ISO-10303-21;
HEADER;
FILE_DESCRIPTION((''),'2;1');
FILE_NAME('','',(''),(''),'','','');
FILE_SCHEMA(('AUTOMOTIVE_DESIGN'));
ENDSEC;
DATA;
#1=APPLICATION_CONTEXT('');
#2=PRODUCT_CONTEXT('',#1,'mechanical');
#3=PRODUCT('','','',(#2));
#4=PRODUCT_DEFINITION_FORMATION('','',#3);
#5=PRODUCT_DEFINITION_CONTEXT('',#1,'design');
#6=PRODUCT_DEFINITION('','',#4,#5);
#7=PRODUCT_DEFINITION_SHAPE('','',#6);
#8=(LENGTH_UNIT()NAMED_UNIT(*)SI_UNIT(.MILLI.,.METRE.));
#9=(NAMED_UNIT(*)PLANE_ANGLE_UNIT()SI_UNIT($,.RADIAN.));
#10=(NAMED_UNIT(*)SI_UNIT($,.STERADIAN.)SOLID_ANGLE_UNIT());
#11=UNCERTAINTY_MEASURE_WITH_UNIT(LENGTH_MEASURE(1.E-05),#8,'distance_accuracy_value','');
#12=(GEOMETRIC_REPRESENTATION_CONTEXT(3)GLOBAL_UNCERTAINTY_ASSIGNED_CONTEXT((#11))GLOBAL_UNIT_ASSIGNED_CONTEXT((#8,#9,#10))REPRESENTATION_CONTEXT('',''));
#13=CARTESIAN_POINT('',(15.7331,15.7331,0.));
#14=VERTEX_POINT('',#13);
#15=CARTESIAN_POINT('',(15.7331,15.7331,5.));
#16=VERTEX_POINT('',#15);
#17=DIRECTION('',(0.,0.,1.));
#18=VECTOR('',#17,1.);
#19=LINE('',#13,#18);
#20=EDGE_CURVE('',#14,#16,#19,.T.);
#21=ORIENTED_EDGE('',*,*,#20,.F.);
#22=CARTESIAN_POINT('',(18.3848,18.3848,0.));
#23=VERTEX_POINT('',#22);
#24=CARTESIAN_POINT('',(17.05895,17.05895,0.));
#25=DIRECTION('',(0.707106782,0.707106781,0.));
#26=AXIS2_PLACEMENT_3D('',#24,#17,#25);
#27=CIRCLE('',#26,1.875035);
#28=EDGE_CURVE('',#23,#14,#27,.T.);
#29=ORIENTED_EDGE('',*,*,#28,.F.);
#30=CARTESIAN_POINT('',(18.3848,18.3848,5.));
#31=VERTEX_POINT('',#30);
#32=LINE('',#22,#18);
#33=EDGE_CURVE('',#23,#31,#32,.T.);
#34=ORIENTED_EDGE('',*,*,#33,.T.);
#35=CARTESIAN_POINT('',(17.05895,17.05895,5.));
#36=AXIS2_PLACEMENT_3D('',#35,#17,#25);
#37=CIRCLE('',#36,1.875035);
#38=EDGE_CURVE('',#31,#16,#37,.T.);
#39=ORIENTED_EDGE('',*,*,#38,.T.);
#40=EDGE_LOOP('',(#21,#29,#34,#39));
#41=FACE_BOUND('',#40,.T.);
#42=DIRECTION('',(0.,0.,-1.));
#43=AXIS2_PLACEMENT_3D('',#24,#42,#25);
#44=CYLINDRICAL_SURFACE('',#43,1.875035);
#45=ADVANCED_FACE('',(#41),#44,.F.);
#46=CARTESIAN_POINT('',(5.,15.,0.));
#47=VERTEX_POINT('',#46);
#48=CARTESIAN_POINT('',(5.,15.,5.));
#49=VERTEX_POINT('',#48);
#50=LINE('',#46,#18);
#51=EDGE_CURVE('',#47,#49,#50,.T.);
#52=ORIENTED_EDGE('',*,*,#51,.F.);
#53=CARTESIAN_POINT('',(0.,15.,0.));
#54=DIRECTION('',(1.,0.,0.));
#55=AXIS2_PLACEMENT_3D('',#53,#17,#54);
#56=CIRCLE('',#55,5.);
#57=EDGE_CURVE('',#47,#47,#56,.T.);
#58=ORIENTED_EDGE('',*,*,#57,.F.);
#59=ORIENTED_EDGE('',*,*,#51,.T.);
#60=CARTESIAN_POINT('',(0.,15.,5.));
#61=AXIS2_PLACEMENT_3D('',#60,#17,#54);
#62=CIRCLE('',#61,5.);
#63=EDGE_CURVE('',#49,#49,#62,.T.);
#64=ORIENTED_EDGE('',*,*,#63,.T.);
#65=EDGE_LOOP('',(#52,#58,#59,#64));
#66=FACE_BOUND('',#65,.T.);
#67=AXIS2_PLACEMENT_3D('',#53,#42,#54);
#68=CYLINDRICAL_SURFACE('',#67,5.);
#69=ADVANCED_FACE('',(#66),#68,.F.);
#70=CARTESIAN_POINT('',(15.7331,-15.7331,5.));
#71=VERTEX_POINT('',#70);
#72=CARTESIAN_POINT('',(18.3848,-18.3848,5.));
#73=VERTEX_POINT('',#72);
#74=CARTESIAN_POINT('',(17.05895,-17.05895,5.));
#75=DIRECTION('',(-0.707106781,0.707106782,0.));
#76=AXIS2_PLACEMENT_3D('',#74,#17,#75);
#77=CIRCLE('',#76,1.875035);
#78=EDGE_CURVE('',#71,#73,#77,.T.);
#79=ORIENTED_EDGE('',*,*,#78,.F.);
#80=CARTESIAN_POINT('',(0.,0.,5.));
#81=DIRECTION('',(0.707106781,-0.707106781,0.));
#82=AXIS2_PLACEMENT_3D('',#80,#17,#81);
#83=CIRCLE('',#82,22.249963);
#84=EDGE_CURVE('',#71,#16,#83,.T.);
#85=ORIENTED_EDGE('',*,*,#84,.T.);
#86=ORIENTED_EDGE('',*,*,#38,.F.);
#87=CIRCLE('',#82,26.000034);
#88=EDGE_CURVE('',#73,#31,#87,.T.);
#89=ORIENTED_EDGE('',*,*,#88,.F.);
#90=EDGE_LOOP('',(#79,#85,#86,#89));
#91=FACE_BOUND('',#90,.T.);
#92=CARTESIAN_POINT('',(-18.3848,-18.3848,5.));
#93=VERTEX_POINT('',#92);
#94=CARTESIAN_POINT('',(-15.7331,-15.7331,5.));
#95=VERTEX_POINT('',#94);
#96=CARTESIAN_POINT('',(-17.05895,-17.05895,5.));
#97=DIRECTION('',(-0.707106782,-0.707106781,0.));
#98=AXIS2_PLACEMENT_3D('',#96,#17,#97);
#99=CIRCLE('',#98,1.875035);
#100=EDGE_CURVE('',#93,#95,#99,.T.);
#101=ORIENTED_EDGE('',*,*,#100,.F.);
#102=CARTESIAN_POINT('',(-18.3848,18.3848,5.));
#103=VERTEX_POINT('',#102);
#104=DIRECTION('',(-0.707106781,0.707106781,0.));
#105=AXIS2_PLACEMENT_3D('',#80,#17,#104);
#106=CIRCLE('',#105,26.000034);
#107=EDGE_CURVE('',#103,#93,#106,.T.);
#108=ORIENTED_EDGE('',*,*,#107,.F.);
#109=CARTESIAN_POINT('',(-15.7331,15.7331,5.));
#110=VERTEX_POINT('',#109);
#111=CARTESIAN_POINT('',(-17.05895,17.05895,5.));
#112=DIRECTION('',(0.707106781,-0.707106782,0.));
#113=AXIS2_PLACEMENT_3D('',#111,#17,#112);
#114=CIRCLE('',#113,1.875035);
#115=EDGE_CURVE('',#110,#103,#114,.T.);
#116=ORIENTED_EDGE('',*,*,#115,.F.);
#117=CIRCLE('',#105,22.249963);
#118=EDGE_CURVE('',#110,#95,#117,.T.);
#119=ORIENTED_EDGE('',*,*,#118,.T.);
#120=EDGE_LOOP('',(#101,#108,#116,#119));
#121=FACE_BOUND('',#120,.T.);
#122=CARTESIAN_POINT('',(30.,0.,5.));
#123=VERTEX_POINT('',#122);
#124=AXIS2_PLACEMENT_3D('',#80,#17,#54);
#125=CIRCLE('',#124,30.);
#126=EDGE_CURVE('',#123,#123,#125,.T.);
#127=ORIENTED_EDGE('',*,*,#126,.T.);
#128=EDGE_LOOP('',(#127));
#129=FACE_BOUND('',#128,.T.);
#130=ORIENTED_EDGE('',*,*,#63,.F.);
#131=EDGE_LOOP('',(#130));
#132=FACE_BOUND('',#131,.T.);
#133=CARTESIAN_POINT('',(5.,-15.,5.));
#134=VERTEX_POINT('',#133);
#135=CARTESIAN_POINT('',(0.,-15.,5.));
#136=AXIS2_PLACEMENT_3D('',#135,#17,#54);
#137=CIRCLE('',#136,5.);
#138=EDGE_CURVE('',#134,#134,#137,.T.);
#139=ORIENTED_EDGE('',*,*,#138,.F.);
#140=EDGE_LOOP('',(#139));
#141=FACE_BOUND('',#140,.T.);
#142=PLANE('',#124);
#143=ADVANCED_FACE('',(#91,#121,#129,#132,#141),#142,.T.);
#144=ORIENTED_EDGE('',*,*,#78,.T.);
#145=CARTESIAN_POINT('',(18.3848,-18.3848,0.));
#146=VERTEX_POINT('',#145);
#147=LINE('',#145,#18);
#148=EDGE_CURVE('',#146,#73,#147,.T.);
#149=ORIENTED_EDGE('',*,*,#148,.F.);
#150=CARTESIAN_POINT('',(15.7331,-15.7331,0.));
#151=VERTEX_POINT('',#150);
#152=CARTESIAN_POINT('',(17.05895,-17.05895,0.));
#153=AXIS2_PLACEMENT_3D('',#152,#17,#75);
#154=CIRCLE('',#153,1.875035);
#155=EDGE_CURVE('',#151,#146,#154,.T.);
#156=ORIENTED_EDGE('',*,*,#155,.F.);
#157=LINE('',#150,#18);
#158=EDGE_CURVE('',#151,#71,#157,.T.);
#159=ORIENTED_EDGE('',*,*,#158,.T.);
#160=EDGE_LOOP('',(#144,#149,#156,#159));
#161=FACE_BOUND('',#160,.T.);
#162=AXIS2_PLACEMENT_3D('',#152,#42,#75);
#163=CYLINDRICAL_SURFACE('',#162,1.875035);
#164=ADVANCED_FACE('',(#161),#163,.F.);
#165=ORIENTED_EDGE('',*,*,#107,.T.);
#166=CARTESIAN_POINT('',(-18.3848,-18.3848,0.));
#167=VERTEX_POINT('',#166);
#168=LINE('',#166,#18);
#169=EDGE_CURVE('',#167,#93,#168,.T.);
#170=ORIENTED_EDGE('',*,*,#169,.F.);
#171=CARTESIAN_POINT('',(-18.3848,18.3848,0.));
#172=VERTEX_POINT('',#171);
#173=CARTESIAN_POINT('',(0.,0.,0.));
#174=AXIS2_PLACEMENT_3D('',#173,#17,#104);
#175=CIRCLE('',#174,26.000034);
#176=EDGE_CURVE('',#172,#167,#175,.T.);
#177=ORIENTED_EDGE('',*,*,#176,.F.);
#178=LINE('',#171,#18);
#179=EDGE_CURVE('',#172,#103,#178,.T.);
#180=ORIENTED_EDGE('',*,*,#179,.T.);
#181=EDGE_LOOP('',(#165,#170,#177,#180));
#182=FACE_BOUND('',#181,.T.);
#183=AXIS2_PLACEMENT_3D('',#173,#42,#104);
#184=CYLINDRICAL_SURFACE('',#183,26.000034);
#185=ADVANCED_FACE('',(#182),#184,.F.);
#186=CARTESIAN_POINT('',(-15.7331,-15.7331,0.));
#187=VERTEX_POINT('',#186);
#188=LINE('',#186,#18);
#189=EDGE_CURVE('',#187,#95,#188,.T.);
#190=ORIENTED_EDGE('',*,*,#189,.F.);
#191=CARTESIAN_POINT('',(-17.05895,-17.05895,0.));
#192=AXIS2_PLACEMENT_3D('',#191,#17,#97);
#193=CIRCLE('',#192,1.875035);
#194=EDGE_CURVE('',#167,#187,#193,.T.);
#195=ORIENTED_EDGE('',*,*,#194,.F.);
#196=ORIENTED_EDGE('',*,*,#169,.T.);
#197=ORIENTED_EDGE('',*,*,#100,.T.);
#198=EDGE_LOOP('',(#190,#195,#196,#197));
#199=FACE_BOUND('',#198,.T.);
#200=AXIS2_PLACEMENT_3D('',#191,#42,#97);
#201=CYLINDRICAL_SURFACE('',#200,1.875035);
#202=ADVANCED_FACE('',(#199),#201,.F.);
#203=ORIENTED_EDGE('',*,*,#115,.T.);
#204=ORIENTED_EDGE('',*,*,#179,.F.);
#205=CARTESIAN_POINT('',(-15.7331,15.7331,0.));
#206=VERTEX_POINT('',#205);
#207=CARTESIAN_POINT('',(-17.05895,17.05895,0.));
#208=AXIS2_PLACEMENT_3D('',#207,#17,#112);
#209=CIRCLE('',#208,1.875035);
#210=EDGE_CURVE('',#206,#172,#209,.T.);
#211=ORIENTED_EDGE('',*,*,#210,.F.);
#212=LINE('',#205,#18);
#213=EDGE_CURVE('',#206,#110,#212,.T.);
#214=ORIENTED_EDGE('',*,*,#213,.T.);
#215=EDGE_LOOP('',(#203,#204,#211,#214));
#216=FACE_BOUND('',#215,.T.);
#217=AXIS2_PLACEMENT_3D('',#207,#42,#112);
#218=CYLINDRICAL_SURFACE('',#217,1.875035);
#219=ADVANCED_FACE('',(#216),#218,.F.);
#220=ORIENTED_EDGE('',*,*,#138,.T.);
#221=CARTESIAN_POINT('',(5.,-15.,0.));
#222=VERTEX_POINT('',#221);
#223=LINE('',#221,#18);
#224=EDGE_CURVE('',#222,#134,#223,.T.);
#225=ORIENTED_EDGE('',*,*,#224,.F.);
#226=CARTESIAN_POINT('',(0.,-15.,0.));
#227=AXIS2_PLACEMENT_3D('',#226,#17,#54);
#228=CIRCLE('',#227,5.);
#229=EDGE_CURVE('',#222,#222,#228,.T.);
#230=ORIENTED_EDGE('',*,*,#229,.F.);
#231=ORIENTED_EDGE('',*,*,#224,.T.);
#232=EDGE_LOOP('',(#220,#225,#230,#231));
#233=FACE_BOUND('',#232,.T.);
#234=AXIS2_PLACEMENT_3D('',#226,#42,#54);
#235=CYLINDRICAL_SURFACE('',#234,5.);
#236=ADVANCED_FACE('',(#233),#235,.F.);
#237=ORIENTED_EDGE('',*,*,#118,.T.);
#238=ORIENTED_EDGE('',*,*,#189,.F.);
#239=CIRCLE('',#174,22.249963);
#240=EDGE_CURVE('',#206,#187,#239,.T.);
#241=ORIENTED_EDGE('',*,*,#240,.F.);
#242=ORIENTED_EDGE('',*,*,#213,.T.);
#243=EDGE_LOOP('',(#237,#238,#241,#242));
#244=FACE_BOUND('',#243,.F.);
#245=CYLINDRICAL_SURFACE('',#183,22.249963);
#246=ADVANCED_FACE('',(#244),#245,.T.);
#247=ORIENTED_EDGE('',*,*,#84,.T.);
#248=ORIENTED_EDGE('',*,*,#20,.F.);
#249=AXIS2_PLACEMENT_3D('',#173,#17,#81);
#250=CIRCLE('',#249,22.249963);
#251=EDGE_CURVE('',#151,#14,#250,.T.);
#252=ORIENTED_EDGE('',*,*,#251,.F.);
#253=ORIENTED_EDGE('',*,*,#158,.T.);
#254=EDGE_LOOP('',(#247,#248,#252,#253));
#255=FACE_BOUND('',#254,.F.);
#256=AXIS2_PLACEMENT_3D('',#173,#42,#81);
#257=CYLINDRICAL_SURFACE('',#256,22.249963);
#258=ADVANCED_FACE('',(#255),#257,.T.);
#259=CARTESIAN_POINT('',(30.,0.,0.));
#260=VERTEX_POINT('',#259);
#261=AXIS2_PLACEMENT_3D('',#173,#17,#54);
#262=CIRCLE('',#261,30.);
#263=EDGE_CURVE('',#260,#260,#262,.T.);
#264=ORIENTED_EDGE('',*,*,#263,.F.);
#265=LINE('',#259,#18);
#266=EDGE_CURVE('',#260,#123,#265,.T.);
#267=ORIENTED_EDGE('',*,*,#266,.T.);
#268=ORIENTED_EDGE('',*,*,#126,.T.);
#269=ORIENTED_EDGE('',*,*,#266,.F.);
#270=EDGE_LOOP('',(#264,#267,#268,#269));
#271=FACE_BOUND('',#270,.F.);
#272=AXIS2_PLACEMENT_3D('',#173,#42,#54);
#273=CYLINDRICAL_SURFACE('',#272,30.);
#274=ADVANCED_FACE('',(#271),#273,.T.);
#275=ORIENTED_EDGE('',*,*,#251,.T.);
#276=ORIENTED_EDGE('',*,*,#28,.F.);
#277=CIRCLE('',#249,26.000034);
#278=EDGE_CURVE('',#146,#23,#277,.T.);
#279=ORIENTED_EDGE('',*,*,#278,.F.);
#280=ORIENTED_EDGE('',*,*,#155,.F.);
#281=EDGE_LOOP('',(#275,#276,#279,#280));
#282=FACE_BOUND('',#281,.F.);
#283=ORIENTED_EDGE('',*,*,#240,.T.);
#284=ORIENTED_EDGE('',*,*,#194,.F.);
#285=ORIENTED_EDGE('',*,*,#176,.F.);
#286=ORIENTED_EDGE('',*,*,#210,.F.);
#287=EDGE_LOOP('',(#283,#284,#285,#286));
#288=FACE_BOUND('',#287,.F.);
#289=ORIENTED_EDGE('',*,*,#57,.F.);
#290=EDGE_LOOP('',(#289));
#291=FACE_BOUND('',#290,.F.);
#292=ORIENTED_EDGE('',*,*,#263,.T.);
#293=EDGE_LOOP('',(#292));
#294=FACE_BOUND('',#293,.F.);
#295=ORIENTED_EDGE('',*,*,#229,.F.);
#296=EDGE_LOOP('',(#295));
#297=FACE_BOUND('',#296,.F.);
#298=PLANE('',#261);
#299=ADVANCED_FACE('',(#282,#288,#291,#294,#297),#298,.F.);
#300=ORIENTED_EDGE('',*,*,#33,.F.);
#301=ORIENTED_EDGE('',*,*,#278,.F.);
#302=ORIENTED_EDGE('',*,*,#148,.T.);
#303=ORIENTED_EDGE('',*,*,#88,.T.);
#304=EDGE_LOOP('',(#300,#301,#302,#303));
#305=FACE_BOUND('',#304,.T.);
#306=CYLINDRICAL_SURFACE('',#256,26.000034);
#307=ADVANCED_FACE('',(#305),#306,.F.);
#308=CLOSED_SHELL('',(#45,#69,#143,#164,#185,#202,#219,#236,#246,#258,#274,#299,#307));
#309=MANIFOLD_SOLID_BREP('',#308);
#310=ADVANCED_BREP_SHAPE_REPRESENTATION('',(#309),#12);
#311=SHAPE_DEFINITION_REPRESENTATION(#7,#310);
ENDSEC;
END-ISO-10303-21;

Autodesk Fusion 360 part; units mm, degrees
sketch "Sketch1" plane through (0, 0, 0) normal (0, 0, 1) x (1, 0, 0)
  circle A0 centre (0, -15) radius 5
  circle A1 centre (0, 15) radius 5
  line L0 (26.5, 0) -> (27.807, 0) construction
  circle A2 centre (0, 0) radius 30
  line L1 (22.25, 0) -> (27.7377, 0) construction
  arc A3 (18.3848, 18.3848) -> (15.7331, 15.7331) centre (17.059, 17.059) ccw
  arc A4 (-15.7331, 15.7331) -> (-18.3848, 18.3848) centre (-17.059, 17.059) ccw
  arc A5 (15.7331, -15.7331) -> (18.3848, -18.3848) centre (17.059, -17.059) ccw
  arc A6 (-18.3848, -18.3848) -> (-15.7331, -15.7331) centre (-17.059, -17.059) ccw
  arc A7 (-15.7331, 15.7331) -> (-15.7331, -15.7331) centre (0, 0) ccw
  arc A8 (15.7331, -15.7331) -> (15.7331, 15.7331) centre (0, 0) ccw
  arc A9 (-18.3848, 18.3848) -> (-18.3848, -18.3848) centre (0, 0) ccw
  arc A10 (18.3848, -18.3848) -> (18.3848, 18.3848) centre (0, 0) ccw
  dimension "d4" = 15
  dimension "d5" = 10
  dimension "d11" = 60
  dimension "d12" = 52
  dimension "d16" = 44.5
  dimension "d17" = 3.75
extrude "Extrude1" add sketch "Sketch1" along normal blind 5
